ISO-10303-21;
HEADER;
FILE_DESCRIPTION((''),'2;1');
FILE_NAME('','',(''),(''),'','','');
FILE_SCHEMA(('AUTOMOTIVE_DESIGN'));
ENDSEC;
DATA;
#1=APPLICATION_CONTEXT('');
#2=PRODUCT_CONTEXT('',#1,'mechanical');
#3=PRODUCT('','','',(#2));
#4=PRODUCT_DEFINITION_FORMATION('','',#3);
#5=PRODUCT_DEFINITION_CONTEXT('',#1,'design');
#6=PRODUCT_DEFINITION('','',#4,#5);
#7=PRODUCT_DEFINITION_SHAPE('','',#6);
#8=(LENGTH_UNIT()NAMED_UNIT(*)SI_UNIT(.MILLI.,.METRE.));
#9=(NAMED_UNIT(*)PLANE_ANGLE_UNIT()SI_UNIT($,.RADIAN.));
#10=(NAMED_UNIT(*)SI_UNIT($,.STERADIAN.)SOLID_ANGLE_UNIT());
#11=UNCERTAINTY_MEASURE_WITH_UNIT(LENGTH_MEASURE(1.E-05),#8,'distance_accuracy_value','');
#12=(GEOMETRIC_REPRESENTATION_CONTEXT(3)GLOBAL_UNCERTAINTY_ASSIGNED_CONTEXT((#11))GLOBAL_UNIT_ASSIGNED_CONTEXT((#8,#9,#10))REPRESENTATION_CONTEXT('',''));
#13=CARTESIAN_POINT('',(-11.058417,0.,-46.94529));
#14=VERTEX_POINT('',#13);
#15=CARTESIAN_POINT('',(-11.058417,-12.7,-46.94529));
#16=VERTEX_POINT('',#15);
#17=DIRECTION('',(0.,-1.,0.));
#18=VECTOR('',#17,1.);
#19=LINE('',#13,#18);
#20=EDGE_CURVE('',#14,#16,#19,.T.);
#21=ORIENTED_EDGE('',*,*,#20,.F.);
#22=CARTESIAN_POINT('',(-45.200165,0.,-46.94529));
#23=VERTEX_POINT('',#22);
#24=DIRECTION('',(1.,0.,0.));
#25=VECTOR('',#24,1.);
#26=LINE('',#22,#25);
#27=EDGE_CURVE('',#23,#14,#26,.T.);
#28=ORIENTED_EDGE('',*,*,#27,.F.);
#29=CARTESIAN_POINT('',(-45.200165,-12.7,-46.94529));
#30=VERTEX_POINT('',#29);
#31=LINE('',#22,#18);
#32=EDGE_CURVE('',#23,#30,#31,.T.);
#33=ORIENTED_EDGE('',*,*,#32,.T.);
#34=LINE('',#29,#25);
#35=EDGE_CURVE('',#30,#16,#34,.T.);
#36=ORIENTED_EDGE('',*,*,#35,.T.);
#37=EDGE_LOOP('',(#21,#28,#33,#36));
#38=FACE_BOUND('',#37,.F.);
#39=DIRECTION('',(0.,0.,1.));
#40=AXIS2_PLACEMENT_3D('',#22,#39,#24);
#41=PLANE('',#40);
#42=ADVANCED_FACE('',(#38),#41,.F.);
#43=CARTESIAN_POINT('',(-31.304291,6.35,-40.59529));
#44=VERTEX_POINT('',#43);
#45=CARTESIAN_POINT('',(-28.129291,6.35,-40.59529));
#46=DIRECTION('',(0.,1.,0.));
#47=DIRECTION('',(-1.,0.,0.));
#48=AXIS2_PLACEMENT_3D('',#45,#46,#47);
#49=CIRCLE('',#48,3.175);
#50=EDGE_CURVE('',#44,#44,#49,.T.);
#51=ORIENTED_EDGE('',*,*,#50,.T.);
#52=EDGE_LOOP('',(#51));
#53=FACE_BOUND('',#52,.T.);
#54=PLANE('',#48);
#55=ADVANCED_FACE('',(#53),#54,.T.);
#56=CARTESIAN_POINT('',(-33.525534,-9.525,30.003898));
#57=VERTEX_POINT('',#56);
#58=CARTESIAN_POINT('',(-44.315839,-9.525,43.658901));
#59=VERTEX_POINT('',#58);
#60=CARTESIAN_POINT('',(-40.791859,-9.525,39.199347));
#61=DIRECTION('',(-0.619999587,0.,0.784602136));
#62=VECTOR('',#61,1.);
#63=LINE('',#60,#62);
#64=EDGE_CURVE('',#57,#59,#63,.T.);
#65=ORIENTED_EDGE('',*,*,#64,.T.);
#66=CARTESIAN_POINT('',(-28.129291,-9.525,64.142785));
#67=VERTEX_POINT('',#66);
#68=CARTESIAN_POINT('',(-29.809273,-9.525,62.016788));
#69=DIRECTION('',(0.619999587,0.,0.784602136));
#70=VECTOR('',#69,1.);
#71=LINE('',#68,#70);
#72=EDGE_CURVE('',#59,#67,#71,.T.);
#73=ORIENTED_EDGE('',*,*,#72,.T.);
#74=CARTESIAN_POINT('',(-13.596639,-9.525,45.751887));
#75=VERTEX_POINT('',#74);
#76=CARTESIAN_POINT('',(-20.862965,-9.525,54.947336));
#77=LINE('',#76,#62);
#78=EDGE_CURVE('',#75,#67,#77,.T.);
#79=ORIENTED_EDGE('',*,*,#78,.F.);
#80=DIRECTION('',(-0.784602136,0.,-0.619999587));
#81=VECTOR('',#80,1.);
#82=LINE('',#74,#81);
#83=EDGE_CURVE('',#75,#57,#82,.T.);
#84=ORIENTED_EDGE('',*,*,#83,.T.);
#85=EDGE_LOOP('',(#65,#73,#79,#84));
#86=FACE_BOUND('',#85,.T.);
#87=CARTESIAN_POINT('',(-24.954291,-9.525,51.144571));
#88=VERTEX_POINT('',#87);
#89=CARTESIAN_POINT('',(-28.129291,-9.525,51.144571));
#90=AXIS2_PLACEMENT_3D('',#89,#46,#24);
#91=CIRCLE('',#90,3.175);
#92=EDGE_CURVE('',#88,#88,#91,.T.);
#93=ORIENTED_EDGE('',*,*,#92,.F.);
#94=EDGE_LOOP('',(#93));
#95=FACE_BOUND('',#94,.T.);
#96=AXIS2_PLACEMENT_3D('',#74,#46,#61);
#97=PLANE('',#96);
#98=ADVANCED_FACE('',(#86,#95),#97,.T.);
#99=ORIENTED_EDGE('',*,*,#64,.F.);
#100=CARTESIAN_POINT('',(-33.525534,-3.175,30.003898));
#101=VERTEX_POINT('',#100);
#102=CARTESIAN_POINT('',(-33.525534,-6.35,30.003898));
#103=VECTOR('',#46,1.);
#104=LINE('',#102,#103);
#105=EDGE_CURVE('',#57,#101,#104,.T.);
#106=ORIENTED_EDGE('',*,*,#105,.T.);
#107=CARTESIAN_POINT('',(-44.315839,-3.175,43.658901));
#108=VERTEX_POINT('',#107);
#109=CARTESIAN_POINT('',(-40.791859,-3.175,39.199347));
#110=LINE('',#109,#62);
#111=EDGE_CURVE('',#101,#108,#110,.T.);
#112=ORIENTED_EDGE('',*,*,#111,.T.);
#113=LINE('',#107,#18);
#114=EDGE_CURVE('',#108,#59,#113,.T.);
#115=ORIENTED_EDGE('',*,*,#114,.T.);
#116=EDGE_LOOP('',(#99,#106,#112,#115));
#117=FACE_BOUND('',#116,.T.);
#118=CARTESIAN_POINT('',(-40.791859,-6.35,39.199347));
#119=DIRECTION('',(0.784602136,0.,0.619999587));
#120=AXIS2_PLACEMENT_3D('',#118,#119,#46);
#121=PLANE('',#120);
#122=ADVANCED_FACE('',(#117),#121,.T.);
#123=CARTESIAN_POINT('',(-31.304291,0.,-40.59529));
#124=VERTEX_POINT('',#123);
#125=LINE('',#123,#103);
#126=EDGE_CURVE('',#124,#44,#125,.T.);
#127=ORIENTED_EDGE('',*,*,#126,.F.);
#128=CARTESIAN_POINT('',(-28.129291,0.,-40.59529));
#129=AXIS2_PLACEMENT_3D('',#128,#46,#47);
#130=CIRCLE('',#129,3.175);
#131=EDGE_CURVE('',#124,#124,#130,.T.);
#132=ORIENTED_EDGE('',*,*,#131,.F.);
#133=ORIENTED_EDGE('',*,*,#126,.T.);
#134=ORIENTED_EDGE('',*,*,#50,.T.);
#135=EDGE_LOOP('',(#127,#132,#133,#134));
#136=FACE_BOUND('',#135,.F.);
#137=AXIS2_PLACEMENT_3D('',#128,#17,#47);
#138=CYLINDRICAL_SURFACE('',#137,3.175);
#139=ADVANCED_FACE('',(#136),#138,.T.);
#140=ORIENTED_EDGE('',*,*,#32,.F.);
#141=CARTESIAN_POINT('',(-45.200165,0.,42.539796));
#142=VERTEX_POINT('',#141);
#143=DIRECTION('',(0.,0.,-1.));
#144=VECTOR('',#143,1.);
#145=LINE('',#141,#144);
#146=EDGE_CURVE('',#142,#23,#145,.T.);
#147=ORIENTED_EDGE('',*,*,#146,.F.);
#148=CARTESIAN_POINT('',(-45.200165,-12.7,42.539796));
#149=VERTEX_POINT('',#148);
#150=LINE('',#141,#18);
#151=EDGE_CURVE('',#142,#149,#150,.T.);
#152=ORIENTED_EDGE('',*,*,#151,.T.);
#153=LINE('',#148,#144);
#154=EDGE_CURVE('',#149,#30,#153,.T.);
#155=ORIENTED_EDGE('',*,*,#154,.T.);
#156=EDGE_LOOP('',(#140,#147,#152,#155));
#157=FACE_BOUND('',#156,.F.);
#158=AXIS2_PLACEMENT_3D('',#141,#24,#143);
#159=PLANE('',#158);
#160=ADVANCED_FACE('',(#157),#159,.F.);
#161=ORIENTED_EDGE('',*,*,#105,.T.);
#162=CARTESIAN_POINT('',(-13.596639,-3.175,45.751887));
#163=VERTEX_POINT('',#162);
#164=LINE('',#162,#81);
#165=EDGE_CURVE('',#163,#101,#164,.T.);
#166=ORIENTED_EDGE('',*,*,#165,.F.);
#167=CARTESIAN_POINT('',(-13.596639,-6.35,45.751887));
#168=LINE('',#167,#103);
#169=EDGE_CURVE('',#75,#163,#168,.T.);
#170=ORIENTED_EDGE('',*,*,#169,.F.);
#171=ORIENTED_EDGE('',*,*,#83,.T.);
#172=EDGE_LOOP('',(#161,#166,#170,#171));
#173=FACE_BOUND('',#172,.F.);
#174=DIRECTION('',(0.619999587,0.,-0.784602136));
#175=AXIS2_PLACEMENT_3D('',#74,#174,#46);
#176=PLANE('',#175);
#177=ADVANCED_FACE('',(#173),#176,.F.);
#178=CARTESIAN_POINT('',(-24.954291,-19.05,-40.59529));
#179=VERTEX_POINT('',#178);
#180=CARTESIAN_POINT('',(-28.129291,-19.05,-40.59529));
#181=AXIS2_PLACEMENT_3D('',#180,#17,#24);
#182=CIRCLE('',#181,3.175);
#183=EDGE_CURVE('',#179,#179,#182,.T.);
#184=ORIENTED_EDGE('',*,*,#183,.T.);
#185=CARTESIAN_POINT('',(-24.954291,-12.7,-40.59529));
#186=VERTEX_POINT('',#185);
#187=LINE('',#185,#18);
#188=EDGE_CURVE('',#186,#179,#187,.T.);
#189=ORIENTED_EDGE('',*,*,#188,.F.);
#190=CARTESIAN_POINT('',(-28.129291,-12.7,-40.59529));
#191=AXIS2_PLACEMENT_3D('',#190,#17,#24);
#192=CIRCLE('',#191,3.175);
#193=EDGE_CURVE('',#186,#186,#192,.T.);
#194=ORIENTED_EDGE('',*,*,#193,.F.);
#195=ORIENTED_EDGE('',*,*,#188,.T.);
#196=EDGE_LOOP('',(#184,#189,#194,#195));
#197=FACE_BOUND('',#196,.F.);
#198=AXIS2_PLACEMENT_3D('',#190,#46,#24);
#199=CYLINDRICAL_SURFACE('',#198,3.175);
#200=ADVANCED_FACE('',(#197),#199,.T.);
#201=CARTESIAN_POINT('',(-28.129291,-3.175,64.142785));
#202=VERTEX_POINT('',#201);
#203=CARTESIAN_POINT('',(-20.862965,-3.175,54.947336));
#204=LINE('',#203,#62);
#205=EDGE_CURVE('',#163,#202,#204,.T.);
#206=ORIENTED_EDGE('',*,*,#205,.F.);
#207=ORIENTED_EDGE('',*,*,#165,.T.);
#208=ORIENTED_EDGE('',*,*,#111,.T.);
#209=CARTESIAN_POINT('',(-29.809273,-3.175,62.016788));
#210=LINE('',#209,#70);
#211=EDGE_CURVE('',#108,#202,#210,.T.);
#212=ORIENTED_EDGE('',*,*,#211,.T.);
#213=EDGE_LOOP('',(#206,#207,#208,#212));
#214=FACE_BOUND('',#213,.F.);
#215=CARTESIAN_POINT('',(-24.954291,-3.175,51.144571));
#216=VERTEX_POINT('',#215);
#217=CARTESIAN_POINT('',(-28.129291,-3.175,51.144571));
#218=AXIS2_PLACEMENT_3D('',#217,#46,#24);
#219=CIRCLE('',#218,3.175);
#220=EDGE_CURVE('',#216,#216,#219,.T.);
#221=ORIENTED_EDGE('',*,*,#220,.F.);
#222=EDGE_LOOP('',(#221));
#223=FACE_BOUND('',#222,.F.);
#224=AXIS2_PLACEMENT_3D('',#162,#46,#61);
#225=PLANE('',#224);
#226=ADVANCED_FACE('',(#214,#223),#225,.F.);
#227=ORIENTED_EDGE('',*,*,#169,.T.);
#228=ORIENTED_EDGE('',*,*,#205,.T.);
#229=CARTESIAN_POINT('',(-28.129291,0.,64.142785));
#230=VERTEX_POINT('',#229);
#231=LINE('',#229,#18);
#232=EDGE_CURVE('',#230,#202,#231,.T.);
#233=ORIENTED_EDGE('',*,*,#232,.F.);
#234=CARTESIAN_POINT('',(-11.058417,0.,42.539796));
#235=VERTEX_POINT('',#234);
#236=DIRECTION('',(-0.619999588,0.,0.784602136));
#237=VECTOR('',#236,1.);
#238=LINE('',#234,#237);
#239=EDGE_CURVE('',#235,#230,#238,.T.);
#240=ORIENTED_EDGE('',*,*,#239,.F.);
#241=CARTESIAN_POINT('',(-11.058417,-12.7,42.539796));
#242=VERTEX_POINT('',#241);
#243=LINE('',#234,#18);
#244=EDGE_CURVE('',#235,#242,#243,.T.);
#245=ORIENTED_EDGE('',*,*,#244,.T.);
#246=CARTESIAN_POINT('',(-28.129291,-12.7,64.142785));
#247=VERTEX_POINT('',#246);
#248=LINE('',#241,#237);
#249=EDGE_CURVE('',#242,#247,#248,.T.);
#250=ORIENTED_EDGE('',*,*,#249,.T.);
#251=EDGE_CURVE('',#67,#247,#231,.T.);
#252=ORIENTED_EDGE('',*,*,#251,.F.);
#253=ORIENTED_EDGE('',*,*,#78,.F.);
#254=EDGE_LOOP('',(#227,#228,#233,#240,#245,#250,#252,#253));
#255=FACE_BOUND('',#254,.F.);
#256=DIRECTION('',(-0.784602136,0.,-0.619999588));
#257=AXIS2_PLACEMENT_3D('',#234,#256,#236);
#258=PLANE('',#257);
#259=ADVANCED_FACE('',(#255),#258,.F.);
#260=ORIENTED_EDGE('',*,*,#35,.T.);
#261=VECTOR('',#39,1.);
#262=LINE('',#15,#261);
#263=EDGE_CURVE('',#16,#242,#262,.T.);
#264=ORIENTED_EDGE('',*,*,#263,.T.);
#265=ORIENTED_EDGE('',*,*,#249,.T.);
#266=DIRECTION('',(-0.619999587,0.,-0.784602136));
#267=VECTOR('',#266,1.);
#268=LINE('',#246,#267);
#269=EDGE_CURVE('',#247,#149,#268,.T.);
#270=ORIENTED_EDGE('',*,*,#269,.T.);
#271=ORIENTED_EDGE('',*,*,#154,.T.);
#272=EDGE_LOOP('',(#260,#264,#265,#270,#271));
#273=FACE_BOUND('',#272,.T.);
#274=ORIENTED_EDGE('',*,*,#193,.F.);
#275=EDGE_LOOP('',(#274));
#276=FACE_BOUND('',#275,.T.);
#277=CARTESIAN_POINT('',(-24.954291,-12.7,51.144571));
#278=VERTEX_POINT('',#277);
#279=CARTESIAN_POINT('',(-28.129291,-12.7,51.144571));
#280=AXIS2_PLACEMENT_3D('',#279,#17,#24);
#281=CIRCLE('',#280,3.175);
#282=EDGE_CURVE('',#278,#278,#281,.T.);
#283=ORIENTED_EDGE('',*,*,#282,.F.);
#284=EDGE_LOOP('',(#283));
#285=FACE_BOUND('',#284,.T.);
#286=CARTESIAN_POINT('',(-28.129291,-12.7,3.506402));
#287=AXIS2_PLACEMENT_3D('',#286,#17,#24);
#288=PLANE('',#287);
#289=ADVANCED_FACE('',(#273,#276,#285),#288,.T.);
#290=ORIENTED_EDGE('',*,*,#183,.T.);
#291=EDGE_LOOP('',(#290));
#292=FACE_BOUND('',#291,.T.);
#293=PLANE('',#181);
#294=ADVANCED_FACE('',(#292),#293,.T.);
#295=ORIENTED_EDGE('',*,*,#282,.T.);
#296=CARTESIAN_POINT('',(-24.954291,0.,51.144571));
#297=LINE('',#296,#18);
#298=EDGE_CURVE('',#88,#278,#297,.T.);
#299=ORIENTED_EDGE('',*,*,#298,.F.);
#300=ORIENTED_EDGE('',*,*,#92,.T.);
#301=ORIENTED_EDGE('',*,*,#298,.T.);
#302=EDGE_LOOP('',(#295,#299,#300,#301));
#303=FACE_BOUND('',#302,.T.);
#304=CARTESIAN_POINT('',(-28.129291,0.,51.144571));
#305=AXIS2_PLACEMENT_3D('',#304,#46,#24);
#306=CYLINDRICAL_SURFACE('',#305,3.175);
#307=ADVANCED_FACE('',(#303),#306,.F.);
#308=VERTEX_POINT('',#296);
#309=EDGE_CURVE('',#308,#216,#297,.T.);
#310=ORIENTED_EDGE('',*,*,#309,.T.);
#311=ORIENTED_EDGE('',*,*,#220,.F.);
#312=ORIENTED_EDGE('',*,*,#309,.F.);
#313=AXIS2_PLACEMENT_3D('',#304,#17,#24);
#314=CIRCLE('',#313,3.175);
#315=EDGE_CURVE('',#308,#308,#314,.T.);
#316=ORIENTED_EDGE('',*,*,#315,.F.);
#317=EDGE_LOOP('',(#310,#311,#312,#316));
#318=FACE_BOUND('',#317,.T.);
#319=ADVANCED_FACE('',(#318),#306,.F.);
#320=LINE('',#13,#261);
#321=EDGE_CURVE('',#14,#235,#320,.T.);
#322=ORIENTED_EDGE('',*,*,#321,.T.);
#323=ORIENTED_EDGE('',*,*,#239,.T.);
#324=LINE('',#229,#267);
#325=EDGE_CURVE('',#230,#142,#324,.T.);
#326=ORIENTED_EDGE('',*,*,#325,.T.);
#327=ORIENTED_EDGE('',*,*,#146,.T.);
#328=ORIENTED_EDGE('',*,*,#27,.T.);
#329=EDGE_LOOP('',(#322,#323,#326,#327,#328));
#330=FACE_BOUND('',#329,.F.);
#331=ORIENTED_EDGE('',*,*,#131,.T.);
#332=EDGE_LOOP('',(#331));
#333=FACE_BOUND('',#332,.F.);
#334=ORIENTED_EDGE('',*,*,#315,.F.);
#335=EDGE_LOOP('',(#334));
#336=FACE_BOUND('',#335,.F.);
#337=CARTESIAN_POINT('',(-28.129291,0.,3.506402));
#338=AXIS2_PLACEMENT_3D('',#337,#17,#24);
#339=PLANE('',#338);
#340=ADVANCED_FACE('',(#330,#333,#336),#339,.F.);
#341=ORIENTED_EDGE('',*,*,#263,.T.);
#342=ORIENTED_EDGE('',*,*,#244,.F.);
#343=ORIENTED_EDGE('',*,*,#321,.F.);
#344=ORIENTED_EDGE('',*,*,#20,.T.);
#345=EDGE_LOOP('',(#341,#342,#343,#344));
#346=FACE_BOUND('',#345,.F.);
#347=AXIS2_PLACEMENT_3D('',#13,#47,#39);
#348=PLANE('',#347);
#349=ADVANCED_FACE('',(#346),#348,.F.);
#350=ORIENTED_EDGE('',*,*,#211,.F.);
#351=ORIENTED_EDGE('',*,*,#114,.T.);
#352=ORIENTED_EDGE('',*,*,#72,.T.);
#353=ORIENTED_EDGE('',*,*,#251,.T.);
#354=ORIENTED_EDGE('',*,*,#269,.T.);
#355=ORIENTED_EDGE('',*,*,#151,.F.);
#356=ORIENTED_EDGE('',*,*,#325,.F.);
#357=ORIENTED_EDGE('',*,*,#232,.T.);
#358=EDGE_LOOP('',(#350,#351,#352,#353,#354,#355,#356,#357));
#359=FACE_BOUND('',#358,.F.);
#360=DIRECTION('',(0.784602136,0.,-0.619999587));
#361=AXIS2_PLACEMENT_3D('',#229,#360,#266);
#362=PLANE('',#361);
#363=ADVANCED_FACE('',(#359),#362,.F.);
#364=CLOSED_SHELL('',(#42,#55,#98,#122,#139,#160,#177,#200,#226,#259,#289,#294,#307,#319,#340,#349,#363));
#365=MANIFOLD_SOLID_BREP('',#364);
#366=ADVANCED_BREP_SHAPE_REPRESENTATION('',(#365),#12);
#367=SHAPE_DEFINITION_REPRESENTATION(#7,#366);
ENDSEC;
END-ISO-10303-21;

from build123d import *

# Parameters (mm, degrees)
F0_R     = 3.175
F1_DEPTH = 12.7
F2_W     = 6.35
F2_H     = 23.4397758459
F3_DEPTH = 25.4
F4_R     = 3.175
F6_DEPTH = 6.35
F5_R     = 3.175
F7_DEPTH = 6.35


with BuildPart() as f1:
    # F0 (on Front) → F1 (new body)
    with BuildSketch(Plane.XZ):
        Polygon((-11.0584168369, 42.5397964036), (-28.1292907894, 64.142785233), (-45.2001647418, 42.5397964036), (-45.2001647418, -46.9452900396), (-11.0584168369, -46.9452900396), align=None)
        with Locations((-28.1292907894, 51.1445705025)):
            Circle(F0_R, mode=Mode.SUBTRACT)
    extrude(amount=F1_DEPTH)

    # F2 (on face) → F3 (cut)
    with BuildSketch(Plane(origin=(13.886044542, 0, 10.9728759269), x_dir=(0, 1, 0), z_dir=(0.7846021358, 0, 0.6199995875))):
        with Locations((-6.35, 56.046827053)):
            Rectangle(F2_W, F2_H)
    extrude(amount=-F3_DEPTH, mode=Mode.SUBTRACT)

    # F4 (on face) → F6 (join)
    with BuildSketch(Plane(origin=(0, 0, 0), x_dir=(-1, 0, 0), z_dir=(0, 1, 0))):
        with Locations((28.1292907894, -40.5952900396)):
            Circle(F4_R)
    extrude(amount=F6_DEPTH)

    # F5 (on face) → F7 (join)
    with BuildSketch(Plane.XZ.offset(12.7)):
        with Locations((-28.1292907894, -40.5952900396)):
            Circle(F5_R)
    extrude(amount=F7_DEPTH)


solid = f1.part
